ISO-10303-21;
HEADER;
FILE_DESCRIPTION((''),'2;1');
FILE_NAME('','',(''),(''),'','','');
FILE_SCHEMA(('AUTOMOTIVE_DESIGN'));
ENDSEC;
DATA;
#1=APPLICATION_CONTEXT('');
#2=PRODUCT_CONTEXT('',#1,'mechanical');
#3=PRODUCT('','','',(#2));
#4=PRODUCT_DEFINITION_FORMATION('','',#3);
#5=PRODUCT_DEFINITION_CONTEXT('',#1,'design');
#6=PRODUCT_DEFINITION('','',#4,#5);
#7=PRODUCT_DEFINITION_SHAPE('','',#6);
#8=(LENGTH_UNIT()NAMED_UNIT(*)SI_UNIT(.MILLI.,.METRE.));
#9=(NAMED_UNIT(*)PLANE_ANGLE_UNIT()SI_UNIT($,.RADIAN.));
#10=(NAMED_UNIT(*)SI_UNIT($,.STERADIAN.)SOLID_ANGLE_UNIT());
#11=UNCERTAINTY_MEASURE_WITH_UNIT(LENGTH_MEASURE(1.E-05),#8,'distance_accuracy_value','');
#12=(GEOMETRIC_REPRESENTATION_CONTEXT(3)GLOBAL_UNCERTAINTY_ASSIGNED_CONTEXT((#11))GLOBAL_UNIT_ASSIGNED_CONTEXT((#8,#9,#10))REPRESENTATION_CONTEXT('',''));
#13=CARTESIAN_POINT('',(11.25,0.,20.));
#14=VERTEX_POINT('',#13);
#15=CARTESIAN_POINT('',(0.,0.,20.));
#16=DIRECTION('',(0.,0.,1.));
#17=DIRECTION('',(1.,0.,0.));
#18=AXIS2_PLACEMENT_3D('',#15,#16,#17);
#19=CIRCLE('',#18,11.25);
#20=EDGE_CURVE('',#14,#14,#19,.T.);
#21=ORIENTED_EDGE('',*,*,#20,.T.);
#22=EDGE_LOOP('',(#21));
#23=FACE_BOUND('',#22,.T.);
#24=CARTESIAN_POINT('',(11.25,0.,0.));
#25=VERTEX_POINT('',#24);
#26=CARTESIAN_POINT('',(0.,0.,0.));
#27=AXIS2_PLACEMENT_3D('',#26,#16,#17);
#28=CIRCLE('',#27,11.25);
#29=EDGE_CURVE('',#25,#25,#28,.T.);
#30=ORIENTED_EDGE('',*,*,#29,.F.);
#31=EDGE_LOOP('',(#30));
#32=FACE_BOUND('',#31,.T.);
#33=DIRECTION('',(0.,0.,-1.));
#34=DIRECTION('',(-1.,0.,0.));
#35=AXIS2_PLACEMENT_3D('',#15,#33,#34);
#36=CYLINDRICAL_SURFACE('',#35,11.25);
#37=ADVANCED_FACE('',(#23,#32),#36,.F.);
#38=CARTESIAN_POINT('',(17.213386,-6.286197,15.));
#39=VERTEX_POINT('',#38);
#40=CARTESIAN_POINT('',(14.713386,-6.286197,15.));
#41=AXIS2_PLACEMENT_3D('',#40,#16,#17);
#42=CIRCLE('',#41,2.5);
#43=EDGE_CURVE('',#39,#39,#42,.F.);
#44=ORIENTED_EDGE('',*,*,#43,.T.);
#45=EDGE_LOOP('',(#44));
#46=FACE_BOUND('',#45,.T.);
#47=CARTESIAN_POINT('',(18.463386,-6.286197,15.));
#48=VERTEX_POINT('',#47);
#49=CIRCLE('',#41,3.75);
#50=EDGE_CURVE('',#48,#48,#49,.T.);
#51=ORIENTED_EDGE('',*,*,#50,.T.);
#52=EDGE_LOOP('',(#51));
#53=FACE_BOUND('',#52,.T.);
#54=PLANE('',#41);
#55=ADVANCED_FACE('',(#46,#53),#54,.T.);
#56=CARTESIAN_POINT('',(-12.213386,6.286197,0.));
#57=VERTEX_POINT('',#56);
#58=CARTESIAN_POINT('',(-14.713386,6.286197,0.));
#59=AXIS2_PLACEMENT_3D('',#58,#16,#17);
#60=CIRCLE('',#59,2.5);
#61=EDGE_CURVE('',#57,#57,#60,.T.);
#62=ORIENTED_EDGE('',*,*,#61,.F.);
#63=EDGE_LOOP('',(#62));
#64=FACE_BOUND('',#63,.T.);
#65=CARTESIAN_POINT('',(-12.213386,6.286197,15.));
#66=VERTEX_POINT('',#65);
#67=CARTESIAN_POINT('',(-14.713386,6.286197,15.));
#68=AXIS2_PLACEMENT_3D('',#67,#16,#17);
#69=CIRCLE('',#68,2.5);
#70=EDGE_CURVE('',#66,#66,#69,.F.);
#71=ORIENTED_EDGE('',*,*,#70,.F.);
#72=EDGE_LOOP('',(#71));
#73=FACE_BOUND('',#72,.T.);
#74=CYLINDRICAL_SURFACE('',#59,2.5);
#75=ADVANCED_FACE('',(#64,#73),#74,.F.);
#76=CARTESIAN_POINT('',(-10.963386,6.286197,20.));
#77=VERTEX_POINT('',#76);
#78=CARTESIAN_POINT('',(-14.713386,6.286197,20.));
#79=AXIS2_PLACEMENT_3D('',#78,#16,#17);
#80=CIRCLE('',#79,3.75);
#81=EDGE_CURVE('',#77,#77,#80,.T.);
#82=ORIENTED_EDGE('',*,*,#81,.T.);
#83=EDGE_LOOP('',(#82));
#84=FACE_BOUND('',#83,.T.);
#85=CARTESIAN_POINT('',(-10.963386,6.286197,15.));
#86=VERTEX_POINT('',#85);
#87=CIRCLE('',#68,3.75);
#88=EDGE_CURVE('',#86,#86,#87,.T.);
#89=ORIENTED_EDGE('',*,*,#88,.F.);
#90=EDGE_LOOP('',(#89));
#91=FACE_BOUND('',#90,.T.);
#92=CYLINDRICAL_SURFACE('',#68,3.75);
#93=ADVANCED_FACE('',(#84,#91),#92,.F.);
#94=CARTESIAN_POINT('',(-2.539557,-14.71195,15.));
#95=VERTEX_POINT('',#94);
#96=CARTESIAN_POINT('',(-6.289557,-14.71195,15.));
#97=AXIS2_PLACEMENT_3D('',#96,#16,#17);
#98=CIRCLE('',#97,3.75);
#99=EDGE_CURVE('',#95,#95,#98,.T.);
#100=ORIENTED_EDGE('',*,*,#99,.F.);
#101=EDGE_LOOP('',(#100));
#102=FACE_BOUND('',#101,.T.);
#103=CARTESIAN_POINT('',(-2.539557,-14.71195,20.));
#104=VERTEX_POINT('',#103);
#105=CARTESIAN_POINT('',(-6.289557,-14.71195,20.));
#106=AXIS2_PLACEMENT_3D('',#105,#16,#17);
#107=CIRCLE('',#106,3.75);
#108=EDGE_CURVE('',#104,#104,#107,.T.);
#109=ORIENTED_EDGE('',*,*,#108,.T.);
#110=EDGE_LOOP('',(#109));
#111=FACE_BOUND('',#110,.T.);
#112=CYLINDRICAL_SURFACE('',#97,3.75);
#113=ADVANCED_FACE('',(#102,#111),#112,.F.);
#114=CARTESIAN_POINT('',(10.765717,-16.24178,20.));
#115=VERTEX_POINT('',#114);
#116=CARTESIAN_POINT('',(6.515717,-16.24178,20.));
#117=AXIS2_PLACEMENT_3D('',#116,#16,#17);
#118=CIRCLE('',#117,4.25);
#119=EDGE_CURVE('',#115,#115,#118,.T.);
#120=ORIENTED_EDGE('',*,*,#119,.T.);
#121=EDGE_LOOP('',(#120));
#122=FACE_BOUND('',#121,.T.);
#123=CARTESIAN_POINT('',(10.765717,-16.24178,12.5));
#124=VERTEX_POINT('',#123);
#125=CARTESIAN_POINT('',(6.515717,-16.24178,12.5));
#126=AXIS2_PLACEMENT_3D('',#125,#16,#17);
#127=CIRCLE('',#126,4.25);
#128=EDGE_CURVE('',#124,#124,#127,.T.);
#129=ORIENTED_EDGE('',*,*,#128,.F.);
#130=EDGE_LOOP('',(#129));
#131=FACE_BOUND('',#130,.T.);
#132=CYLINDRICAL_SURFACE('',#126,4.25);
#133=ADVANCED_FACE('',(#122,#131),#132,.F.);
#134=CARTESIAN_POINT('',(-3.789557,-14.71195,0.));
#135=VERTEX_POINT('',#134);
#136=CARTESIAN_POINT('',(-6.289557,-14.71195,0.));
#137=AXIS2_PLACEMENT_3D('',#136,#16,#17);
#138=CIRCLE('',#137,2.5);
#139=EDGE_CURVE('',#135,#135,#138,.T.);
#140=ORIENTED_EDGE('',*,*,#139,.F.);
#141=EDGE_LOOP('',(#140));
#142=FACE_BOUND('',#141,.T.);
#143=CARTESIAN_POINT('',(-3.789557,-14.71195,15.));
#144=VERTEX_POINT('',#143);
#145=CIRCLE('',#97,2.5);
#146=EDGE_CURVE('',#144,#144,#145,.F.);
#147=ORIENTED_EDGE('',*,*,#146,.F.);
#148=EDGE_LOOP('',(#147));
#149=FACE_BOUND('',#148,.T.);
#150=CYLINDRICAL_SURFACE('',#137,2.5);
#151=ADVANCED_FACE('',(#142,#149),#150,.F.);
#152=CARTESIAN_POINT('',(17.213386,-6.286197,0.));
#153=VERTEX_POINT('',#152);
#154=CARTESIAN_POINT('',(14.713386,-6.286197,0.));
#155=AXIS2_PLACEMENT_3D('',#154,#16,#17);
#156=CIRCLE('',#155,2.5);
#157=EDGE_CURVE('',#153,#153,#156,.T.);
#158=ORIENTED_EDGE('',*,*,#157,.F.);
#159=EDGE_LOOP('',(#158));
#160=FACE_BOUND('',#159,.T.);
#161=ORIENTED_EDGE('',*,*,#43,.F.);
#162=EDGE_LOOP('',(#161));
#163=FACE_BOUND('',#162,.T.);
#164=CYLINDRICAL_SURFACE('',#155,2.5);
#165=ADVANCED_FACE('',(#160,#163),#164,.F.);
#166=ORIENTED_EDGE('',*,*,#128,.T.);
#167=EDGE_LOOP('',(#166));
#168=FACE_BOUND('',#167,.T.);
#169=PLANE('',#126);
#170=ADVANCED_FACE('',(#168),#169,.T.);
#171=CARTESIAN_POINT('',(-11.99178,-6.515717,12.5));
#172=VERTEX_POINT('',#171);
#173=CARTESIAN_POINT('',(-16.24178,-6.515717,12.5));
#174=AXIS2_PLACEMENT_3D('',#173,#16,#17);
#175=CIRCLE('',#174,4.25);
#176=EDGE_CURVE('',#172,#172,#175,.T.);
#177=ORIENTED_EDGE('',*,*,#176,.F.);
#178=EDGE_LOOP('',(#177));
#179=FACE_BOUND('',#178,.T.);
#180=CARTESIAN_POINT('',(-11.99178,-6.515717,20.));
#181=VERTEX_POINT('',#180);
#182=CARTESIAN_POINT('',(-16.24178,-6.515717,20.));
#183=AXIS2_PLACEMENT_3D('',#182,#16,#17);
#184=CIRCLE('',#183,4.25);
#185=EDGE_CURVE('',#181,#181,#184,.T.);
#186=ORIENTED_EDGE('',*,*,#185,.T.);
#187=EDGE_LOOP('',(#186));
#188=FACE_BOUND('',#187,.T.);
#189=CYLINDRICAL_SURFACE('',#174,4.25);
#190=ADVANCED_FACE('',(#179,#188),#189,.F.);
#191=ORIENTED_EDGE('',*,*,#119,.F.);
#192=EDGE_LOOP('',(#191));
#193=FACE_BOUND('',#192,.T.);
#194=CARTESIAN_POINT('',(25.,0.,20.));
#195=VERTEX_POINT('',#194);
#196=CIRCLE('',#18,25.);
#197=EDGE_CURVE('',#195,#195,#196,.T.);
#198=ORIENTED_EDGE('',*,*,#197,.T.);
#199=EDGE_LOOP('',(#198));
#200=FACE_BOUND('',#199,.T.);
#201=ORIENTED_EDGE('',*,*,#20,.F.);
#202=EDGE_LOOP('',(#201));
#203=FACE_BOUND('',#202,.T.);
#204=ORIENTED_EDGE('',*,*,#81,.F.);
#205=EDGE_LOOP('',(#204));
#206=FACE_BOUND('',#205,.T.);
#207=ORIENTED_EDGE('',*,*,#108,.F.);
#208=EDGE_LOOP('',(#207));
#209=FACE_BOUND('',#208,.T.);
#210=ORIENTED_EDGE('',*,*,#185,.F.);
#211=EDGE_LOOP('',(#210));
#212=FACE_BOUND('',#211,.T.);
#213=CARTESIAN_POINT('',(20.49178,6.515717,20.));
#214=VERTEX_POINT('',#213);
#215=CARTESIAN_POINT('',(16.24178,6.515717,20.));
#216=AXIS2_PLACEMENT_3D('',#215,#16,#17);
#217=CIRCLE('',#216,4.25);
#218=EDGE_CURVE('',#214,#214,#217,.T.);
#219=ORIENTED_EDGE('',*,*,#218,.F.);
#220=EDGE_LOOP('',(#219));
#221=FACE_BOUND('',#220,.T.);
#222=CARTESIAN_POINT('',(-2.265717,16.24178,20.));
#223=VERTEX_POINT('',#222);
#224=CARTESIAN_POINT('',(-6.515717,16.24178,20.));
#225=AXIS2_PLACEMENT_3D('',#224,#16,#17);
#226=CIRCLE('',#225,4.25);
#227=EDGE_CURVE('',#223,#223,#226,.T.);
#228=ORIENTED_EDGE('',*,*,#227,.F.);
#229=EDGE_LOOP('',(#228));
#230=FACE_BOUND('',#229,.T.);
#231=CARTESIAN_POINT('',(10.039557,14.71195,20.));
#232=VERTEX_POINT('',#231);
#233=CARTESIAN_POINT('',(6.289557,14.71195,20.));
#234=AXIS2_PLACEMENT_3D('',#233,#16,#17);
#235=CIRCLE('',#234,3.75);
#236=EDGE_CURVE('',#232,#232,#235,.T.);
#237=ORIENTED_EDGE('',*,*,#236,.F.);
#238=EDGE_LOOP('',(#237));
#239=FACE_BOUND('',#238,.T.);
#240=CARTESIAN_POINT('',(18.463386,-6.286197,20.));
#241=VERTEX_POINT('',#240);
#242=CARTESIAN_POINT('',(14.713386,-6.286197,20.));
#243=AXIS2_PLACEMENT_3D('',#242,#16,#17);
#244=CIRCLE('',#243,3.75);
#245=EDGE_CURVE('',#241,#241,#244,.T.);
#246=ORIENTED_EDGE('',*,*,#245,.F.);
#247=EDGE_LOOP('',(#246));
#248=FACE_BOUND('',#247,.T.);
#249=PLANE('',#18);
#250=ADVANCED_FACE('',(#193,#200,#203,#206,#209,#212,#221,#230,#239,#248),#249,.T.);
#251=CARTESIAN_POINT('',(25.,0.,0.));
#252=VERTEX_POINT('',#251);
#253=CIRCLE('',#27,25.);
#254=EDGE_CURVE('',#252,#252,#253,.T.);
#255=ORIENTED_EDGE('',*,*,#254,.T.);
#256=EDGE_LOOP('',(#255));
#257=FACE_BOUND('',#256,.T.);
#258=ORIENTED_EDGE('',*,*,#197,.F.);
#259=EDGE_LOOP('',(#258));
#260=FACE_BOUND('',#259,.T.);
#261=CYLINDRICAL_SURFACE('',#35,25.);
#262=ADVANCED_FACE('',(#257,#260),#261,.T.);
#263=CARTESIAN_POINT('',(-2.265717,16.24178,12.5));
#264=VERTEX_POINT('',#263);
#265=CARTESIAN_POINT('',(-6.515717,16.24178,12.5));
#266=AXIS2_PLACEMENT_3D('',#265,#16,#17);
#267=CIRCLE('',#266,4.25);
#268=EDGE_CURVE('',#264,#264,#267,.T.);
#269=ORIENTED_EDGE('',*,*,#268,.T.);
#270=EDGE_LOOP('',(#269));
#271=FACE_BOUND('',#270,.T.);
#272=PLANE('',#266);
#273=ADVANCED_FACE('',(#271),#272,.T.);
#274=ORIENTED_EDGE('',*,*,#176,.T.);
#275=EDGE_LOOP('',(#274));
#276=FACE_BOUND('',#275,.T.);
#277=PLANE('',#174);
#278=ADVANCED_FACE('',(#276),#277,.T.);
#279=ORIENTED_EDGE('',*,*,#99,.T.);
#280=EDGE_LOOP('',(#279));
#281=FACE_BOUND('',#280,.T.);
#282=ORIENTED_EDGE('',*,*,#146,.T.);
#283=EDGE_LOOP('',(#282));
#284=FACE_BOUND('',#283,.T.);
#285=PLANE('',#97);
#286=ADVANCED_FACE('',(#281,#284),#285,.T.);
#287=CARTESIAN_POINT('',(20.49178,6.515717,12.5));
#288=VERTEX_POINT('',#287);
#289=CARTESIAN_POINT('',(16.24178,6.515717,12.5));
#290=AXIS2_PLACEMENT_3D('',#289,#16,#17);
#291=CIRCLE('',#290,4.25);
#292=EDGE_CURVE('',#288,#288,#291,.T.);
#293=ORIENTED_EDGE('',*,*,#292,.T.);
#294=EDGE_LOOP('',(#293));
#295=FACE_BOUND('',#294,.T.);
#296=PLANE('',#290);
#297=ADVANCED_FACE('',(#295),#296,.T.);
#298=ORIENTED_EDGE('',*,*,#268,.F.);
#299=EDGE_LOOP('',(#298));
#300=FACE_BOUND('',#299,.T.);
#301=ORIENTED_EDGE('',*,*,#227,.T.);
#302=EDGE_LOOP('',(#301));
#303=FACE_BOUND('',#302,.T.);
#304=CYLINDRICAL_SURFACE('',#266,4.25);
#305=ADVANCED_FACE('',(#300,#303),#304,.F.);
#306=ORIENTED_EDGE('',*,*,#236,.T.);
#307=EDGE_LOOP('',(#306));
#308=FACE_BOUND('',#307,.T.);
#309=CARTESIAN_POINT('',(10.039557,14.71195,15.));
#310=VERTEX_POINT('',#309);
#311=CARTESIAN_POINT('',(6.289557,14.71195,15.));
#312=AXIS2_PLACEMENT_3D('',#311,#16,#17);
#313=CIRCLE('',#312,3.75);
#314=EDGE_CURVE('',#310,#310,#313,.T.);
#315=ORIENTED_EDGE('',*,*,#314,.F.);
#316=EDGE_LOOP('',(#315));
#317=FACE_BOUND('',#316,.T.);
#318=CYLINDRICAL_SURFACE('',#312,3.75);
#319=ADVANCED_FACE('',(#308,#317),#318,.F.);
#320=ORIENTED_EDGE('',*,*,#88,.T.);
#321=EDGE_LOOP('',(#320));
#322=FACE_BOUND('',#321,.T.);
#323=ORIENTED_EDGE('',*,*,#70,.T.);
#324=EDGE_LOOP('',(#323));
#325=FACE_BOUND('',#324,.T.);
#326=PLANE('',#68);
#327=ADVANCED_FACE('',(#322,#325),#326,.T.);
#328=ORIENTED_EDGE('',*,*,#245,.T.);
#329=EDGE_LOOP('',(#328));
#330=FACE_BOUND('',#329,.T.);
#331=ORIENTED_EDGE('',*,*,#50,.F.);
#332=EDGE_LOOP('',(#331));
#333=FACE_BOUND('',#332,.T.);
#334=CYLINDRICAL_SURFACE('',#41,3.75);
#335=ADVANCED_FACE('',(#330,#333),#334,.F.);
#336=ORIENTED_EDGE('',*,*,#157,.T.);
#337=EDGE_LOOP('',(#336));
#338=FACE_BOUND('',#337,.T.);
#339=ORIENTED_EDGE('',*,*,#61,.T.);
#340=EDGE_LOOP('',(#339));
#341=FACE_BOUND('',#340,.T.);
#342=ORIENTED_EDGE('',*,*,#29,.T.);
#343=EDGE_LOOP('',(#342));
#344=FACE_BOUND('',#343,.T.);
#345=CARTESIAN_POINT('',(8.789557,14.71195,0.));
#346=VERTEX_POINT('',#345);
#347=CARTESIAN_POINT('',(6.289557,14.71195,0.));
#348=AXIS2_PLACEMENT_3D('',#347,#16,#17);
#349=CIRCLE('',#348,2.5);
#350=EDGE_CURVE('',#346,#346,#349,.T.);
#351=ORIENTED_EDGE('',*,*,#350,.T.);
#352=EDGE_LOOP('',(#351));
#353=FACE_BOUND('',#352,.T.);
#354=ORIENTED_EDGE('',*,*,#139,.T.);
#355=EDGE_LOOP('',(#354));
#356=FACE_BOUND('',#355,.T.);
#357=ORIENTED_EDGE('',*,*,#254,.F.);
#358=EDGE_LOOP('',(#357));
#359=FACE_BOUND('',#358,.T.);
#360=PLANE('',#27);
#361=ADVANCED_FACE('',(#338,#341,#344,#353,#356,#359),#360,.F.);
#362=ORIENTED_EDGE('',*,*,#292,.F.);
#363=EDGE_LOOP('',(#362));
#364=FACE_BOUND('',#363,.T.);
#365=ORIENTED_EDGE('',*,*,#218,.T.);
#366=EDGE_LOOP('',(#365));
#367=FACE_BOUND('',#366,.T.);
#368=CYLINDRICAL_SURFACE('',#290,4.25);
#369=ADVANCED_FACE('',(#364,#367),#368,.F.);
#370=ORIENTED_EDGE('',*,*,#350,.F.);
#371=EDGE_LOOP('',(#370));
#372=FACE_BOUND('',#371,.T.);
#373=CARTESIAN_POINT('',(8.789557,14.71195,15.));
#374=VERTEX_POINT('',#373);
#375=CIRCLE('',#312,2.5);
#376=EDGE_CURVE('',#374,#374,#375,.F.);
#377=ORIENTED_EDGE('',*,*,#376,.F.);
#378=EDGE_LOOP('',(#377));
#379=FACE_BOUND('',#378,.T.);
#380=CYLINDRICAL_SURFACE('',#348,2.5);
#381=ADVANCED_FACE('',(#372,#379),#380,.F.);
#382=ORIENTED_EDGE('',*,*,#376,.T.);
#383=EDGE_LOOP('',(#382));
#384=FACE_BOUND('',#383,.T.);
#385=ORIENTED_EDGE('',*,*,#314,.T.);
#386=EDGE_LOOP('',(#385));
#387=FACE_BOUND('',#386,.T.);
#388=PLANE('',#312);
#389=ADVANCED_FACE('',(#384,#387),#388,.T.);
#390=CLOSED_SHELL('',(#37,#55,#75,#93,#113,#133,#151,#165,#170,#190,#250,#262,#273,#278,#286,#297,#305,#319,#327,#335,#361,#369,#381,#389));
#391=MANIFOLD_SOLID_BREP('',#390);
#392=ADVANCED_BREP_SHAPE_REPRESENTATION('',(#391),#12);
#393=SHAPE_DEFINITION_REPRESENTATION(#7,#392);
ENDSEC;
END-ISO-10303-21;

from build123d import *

# Parameters (mm, degrees)
ESQUISSE1_R             = 25
ESQUISSE1_R_2           = 11.25
BOSS_EXTRU_1_DEPTH      = 20
ESQUISSE2_R             = 2.5
ENL_V_MAT_EXTRU_1_DEPTH = 41.620192023
ESQUISSE4_R             = 3.75
ENL_V_MAT_EXTRU_2_DEPTH = 5
ESQUISSE12_R            = 4.25
ENL_V_MAT_EXTRU_6_DEPTH = 7.5


with BuildPart() as part:
    # Esquisse1 → Boss.-Extru.1 (new body)
    with BuildSketch(Plane.XY):
        Circle(ESQUISSE1_R)
        Circle(ESQUISSE1_R_2, mode=Mode.SUBTRACT)
    extrude(amount=BOSS_EXTRU_1_DEPTH)

    # Esquisse2 → Enlèv. mat.-Extru.1 (cut, through all)
    with BuildSketch(Plane.XY.offset(20)):
        with Locations((-14.713385832, 6.286197369)):
            Circle(ESQUISSE2_R)
        with Locations((6.28955657, 14.711950182)):
            Circle(ESQUISSE2_R)
        with Locations((14.713385832, -6.286197369)):
            Circle(ESQUISSE2_R)
        with Locations((-6.28955657, -14.711950182)):
            Circle(ESQUISSE2_R)
    extrude(amount=-ENL_V_MAT_EXTRU_1_DEPTH, mode=Mode.SUBTRACT)

    # Esquisse4 → Enlèv. mat.-Extru.2 (cut)
    with BuildSketch(Plane.XY.offset(20)):
        with Locations((-6.28955657, -14.711950182)):
            Circle(ESQUISSE4_R)
        with Locations((14.713385832, -6.286197369)):
            Circle(ESQUISSE4_R)
        with Locations((6.28955657, 14.711950182)):
            Circle(ESQUISSE4_R)
        with Locations((-14.713385832, 6.286197369)):
            Circle(ESQUISSE4_R)
    extrude(amount=-ENL_V_MAT_EXTRU_2_DEPTH, mode=Mode.SUBTRACT)

    # Esquisse12 → Enlèv. mat.-Extru.6 (cut)
    with BuildSketch(Plane.XY.offset(20)):
        with Locations((16.24178047, 6.515716934)):
            Circle(ESQUISSE12_R)
        with Locations((-16.24178047, -6.515716934)):
            Circle(ESQUISSE12_R)
        with Locations((6.515716934, -16.24178047)):
            Circle(ESQUISSE12_R)
        with Locations((-6.515716934, 16.24178047)):
            Circle(ESQUISSE12_R)
    extrude(amount=-ENL_V_MAT_EXTRU_6_DEPTH, mode=Mode.SUBTRACT)


solid = part.part
